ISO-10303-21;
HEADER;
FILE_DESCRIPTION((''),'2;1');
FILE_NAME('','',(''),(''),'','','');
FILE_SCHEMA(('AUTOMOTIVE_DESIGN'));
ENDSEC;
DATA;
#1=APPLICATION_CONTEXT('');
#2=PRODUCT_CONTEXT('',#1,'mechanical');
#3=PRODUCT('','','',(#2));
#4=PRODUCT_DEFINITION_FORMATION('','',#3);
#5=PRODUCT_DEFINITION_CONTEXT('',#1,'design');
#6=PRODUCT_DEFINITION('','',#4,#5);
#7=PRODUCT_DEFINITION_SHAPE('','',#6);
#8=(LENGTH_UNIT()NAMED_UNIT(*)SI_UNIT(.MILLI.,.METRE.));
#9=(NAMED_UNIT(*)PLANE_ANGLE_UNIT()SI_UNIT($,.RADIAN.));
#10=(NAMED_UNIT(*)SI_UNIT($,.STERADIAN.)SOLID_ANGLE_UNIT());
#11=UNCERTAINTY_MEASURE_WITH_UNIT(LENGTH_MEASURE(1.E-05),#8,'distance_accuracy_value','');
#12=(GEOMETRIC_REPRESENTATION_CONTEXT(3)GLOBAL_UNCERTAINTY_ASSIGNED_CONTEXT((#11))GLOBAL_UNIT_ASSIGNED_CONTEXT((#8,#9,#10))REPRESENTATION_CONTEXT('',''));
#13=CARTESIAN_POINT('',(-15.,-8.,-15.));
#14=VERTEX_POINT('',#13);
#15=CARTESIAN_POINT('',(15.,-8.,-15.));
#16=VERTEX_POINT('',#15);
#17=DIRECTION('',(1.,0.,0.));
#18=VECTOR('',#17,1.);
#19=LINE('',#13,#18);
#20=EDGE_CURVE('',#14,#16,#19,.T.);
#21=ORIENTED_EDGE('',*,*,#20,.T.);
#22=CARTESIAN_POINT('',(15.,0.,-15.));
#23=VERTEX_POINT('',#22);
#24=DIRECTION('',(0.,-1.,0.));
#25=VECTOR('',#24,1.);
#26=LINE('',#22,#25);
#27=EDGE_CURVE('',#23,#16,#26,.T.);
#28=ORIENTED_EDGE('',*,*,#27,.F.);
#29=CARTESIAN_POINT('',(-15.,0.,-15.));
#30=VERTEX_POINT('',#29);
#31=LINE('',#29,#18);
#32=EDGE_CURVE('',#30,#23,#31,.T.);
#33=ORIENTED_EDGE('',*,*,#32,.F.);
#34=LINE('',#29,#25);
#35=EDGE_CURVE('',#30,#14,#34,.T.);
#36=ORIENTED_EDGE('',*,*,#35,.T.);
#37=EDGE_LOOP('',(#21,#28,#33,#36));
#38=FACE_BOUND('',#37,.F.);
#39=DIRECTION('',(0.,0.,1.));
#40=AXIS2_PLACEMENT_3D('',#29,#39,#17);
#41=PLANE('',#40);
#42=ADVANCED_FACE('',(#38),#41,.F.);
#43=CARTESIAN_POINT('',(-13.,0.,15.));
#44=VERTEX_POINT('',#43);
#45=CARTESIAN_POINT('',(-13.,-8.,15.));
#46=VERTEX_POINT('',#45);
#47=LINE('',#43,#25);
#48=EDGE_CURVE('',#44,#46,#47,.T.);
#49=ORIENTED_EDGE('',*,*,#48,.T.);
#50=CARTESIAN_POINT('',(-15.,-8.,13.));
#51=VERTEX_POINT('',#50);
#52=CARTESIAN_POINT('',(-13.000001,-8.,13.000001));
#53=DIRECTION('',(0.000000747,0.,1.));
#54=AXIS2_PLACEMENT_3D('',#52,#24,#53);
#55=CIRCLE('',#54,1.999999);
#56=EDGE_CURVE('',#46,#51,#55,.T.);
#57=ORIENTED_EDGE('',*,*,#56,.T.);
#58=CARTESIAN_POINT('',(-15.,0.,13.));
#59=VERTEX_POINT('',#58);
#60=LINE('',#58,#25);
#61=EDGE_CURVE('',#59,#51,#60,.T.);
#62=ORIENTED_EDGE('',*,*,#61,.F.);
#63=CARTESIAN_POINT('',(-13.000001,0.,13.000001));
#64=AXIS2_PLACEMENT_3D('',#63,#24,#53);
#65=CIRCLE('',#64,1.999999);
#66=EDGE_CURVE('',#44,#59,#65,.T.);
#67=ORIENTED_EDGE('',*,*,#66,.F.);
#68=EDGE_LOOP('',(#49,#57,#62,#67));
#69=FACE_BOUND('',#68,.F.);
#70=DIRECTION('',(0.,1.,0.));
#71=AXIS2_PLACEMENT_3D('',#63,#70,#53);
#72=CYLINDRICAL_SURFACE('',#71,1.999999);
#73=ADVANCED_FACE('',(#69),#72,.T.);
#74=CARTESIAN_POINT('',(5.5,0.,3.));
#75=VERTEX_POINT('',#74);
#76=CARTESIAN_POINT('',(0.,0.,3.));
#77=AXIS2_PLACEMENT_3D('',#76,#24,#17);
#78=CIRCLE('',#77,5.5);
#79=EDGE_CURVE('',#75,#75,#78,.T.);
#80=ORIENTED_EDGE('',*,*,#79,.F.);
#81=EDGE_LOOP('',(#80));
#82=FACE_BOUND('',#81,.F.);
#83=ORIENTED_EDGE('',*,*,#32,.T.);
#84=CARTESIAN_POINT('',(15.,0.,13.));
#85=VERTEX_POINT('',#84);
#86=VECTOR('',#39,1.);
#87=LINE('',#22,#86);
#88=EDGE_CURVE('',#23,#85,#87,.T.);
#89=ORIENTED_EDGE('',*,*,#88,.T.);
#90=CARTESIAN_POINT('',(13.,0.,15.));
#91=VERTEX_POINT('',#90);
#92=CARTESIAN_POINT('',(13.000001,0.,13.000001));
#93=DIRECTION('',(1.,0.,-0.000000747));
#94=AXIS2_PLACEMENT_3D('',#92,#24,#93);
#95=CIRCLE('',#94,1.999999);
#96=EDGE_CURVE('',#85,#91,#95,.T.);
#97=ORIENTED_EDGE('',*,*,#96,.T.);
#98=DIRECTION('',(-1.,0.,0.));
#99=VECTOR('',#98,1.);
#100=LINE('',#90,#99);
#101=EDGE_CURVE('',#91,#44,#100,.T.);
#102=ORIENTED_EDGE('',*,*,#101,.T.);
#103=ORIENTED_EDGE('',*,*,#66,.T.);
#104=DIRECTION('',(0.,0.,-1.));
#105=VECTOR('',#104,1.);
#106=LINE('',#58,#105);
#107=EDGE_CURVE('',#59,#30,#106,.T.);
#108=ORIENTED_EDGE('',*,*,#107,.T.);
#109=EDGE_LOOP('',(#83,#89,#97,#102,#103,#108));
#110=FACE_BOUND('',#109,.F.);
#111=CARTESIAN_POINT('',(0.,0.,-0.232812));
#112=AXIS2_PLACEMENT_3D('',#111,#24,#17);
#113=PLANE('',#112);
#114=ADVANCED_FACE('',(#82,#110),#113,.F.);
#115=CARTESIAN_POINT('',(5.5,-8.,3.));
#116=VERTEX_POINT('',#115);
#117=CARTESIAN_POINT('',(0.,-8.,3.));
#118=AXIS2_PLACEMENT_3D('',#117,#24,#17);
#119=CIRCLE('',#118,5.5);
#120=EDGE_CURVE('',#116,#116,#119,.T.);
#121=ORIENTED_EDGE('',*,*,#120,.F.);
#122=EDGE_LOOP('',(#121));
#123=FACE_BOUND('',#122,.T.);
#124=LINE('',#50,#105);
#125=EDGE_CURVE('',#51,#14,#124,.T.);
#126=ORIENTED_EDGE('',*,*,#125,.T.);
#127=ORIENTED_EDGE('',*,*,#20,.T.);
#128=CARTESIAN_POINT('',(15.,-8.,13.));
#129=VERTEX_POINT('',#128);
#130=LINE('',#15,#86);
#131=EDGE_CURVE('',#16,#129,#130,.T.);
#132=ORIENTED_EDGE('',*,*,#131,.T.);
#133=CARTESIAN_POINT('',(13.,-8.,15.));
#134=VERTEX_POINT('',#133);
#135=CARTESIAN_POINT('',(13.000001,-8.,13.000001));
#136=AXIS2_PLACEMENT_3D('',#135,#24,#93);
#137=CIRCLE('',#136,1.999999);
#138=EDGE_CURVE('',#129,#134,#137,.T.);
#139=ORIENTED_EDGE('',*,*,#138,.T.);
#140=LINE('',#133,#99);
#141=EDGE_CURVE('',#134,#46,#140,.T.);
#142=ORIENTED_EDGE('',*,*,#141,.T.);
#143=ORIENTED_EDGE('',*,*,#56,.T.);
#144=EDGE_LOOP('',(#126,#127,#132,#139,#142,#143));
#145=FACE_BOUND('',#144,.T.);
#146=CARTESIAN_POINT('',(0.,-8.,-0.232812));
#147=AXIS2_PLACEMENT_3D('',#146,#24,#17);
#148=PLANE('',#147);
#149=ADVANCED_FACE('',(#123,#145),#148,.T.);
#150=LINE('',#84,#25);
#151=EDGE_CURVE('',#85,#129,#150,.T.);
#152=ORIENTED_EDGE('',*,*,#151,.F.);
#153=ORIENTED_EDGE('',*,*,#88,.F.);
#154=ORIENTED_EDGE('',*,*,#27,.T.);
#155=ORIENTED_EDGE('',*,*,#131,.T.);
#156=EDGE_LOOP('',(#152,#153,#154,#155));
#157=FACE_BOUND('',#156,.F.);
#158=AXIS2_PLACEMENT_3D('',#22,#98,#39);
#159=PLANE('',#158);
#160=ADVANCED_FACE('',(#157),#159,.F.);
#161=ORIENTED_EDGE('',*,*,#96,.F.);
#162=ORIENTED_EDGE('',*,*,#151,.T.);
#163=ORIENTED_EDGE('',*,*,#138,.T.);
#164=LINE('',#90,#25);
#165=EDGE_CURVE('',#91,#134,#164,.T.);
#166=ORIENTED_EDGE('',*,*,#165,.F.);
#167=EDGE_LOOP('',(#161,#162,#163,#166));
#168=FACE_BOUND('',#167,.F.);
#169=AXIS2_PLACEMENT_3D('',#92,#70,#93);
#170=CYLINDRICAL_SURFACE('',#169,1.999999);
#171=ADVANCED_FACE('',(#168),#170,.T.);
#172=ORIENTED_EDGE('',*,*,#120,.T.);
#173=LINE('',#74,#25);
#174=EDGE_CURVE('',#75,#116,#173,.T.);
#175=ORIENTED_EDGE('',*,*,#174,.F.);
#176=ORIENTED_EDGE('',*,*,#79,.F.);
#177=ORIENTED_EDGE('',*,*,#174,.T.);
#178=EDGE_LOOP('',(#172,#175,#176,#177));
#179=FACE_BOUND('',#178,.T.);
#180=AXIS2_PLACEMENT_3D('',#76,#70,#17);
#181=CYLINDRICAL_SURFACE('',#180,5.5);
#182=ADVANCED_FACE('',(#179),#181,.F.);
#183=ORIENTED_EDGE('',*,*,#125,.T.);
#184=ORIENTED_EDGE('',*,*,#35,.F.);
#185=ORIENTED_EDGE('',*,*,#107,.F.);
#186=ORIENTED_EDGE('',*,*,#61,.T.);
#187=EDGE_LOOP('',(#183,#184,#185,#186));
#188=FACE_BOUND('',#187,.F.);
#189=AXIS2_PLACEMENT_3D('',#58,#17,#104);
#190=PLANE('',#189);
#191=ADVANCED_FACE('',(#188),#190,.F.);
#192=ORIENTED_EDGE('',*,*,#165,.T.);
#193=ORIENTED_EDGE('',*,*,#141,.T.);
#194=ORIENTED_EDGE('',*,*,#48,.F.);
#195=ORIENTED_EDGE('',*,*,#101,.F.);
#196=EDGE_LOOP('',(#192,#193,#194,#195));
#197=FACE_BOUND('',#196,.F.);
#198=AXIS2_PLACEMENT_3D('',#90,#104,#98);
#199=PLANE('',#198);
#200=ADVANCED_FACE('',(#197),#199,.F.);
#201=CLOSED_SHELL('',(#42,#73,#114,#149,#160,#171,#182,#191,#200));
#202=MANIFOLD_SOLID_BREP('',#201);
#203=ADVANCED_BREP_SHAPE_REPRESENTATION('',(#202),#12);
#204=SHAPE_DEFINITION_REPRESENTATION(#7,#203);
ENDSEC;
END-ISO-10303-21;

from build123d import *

# Parameters (mm, degrees)
F0_R     = 5.5
F1_DEPTH = 8


with BuildPart() as f1:
    # F0 (on Front) → F1 (new body)
    with BuildSketch(Plane.XZ):
        with BuildLine():
            Line((-15, -15), (15, -15))
            Line((15, -15), (15, 13))
            ThreePointArc((15, 13), (14.414214, 14.414214), (13, 15))
            Line((13, 15), (-13, 15))
            ThreePointArc((-13, 15), (-14.414214, 14.414214), (-15, 13))
            Line((-15, 13), (-15, -15))
        make_face()
        with Locations((0, 3)):
            Circle(F0_R, mode=Mode.SUBTRACT)
    extrude(amount=F1_DEPTH)


solid = f1.part
